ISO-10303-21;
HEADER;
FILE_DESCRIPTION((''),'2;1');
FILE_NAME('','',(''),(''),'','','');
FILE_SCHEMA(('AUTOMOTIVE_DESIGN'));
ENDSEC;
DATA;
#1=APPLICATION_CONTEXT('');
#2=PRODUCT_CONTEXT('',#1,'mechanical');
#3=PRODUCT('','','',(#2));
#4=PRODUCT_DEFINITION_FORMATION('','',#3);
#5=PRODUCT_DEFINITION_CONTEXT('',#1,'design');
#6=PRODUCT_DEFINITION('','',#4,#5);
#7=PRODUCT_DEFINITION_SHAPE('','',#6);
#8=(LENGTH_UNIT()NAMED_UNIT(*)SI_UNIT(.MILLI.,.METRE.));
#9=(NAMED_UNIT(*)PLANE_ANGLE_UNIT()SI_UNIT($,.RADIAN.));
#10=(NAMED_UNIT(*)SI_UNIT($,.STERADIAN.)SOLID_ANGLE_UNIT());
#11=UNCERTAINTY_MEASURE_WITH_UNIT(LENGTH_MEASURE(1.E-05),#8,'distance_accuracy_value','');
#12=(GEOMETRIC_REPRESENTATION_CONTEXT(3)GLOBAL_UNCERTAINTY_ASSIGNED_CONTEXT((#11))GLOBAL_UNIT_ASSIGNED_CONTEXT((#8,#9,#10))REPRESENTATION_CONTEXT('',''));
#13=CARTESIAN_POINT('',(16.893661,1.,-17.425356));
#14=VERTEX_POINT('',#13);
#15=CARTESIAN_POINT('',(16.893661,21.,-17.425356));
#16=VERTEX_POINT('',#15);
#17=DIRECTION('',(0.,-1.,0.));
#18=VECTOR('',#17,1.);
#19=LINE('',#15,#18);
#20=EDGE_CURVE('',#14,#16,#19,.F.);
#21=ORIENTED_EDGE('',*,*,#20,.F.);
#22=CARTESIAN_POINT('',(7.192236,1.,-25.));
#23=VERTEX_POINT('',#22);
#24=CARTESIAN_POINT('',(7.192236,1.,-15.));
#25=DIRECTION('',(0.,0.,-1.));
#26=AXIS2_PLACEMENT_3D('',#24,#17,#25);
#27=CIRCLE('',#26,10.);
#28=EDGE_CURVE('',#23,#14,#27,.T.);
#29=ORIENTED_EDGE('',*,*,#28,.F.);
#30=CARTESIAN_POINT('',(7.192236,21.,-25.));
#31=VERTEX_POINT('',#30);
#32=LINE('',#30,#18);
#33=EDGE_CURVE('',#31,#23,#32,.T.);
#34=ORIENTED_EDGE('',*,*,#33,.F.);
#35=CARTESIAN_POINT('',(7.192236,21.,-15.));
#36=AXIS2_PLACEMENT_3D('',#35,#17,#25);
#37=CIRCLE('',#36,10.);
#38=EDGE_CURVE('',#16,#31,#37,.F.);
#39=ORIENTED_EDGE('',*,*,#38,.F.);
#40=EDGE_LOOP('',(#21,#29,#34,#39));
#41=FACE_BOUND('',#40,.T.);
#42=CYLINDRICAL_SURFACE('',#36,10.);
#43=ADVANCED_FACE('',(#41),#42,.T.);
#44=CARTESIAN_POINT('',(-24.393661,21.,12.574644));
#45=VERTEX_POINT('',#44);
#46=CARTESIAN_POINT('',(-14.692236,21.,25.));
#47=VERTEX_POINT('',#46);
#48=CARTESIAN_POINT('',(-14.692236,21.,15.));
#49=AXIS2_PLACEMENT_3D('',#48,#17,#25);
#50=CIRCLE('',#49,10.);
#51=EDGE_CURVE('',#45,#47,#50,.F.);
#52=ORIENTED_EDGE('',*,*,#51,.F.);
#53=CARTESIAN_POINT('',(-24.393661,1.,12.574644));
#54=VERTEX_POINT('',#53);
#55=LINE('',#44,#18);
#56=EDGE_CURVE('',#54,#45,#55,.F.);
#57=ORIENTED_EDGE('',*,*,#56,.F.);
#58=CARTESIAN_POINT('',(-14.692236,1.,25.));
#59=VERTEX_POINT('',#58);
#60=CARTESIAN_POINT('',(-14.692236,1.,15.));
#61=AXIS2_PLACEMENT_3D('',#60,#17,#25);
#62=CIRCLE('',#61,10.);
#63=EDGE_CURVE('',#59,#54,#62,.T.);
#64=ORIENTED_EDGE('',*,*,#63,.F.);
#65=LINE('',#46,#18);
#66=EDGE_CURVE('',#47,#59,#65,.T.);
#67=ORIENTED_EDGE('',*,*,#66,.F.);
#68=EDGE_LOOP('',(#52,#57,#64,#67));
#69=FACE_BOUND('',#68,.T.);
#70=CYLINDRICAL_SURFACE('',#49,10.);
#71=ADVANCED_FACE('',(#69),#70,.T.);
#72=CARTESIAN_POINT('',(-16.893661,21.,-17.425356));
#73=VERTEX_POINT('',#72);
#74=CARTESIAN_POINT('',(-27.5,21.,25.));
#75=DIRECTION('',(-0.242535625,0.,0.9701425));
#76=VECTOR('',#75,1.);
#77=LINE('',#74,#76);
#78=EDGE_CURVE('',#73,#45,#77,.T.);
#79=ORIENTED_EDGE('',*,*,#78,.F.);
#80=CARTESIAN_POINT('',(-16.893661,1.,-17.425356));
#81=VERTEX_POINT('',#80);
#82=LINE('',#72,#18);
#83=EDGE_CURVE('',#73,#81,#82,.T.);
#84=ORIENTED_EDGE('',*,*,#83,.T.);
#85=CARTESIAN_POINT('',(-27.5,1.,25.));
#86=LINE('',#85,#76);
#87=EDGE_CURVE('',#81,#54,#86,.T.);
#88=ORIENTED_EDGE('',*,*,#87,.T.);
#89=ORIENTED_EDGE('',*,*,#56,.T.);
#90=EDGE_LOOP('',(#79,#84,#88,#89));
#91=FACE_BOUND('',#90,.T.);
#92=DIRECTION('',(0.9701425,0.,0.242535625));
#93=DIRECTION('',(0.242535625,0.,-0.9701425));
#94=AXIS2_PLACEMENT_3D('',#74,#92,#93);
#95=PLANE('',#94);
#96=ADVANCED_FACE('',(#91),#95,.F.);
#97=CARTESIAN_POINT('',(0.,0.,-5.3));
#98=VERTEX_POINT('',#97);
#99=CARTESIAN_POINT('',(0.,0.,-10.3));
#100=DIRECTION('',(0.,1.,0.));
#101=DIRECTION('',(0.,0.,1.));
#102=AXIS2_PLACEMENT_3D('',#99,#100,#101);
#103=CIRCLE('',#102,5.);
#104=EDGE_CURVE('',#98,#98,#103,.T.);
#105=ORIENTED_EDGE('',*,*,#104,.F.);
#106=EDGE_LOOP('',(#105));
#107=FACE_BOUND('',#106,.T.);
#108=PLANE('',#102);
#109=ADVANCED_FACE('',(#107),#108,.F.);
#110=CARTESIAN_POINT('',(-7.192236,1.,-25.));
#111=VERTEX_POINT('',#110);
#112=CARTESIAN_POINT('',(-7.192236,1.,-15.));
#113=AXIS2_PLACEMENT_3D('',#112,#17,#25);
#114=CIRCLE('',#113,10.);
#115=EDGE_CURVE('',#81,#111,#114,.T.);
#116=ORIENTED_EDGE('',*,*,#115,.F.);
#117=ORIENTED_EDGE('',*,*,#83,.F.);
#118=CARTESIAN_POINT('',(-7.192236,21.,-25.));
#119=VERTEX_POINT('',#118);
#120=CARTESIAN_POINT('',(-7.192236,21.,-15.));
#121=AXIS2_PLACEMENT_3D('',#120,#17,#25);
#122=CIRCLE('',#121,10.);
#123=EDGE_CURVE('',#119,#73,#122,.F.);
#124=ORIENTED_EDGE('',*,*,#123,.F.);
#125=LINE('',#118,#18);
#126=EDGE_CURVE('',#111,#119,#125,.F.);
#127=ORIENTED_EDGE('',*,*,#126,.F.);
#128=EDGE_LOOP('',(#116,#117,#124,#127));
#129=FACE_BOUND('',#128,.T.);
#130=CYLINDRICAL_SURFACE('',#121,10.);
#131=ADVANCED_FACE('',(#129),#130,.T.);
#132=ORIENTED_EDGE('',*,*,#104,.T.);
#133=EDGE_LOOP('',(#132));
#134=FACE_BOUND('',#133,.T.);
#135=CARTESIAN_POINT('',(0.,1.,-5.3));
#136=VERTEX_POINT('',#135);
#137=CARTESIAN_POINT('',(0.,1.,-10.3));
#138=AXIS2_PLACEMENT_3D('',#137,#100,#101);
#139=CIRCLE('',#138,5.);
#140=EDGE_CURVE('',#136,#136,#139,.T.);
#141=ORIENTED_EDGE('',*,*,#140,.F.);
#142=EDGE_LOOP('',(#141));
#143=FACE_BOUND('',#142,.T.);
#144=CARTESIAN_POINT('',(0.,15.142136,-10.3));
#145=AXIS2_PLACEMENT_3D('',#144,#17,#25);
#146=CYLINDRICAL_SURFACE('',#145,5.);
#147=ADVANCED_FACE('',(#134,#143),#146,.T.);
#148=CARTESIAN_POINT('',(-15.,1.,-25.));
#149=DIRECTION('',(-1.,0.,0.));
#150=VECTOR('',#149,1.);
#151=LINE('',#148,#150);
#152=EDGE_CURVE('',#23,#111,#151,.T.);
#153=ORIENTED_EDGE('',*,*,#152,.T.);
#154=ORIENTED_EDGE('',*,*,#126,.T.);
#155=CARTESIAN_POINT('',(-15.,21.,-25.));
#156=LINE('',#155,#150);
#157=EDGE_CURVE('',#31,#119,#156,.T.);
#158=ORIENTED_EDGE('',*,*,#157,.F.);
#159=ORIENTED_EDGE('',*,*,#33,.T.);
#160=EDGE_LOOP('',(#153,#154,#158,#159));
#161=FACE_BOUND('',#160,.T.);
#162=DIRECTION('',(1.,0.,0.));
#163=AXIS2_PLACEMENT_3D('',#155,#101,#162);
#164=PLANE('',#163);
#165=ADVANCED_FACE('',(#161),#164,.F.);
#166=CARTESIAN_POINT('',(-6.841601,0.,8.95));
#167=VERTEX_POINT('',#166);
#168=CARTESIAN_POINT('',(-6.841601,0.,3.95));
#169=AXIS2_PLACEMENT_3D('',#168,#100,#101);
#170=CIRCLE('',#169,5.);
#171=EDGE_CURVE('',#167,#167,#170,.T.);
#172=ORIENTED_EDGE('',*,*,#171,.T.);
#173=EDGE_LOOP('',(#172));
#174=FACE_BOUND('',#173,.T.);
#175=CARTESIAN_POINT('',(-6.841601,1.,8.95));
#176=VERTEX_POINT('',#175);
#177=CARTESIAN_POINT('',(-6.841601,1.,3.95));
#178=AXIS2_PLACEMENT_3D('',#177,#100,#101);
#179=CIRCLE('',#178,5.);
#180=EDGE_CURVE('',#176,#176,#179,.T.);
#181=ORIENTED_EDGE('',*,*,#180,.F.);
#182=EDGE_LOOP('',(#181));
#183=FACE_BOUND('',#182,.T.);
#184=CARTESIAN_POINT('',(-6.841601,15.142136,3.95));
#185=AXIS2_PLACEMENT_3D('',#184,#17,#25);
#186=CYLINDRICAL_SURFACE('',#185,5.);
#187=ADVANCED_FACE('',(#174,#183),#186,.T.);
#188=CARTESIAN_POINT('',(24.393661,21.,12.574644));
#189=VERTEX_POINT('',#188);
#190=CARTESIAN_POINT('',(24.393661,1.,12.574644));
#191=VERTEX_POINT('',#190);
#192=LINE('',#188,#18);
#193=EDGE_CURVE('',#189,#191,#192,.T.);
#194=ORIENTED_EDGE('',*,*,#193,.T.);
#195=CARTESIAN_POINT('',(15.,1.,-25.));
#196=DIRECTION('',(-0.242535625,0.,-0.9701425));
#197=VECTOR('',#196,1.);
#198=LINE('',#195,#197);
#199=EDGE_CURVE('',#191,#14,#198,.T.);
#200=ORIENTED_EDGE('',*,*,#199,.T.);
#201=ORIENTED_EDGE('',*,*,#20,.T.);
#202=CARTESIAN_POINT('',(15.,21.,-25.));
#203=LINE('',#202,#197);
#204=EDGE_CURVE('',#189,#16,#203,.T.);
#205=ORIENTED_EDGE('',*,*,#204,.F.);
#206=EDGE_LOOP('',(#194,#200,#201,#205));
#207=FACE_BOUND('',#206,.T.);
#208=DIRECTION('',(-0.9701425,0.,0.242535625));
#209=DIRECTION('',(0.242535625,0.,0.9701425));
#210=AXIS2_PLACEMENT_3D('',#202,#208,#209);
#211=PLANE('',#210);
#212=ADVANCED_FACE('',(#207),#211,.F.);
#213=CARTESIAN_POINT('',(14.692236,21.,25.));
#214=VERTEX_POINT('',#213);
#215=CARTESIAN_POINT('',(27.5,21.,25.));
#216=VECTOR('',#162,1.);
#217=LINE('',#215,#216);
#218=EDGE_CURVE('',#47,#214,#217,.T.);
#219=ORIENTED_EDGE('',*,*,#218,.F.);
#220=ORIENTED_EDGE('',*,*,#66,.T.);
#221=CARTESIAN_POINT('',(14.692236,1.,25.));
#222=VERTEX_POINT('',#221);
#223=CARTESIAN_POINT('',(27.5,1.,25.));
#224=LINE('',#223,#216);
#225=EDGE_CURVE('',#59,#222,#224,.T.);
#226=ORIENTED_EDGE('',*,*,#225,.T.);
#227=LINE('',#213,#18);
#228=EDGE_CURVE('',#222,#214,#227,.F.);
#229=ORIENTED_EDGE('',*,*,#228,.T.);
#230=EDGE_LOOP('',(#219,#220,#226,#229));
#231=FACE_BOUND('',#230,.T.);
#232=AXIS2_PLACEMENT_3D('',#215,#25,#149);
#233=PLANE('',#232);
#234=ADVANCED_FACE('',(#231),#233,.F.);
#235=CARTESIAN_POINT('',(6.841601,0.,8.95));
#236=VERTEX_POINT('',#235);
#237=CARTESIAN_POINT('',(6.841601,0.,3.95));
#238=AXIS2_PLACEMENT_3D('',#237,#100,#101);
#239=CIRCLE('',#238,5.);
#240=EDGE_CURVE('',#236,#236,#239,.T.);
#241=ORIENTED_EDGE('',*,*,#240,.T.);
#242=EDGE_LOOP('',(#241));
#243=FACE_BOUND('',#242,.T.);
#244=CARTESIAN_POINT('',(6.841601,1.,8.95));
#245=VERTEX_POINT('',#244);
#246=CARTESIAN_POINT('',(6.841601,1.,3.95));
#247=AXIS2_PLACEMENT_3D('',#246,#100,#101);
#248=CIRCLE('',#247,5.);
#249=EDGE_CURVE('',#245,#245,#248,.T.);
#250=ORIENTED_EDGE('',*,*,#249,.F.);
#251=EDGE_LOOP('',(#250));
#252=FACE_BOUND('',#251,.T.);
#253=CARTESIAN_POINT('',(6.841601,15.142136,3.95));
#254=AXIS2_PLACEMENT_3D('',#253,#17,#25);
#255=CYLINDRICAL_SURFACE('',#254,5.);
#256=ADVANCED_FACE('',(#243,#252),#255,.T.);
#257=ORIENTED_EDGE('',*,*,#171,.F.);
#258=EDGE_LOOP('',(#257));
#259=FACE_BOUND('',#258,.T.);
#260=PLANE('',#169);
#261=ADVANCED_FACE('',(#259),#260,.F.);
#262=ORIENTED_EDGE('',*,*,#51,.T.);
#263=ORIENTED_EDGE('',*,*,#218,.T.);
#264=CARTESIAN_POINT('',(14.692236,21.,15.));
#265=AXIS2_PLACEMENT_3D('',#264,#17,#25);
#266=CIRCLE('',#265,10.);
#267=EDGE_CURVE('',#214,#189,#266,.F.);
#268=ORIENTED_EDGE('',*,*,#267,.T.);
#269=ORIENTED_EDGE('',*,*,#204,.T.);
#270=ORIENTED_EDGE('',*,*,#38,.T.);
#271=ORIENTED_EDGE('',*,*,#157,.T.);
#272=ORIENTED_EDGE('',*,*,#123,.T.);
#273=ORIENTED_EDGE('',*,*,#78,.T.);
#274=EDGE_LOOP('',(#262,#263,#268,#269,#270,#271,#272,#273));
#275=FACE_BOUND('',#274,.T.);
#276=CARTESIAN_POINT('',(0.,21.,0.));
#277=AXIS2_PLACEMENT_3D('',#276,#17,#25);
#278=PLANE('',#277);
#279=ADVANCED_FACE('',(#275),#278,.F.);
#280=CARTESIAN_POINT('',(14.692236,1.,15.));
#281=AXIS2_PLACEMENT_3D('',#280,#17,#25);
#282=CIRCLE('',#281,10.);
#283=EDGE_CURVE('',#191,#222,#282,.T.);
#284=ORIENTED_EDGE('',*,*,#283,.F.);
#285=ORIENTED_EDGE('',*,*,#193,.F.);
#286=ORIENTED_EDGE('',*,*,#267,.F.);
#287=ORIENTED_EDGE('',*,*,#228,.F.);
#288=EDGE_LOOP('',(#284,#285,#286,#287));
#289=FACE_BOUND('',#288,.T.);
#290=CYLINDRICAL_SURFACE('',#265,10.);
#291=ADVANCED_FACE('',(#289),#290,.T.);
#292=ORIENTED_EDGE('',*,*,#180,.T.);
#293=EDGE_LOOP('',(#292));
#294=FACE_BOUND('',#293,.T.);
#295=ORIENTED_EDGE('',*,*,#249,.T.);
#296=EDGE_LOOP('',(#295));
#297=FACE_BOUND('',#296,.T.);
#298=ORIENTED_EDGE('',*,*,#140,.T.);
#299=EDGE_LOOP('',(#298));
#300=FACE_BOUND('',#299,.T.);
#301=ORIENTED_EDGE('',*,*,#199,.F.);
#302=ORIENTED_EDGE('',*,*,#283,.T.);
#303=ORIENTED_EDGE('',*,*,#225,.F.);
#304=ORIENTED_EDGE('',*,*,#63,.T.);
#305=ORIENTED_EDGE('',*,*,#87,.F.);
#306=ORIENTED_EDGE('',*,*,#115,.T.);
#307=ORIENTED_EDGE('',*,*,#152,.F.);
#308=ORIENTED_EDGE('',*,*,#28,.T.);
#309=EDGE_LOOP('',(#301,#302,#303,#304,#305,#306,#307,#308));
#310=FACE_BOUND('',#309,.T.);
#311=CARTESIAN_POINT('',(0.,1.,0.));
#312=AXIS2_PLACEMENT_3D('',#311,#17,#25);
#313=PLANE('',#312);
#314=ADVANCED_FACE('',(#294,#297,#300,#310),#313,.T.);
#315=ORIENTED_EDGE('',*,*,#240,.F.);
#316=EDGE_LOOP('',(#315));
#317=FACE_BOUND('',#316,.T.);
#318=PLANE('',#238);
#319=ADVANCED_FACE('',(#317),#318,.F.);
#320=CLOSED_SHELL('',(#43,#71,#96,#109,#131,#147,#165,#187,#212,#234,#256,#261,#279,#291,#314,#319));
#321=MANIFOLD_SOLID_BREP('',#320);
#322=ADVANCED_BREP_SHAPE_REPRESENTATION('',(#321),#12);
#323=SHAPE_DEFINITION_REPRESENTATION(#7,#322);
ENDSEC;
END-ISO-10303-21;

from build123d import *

# Parameters (mm, degrees)
FSHAPE1_DEPTH    = 20
FRSHAPE1_R       = 10
FPIN1ABASE_REACH = 42.935
SPIN1ABASE_R     = 5
FPIN1BBASE_REACH = 42.935
SPIN1BBASE_R     = 5
FPIN2BASE_REACH  = 42.935
SPIN2BASE_R      = 5


with BuildPart() as part:
    # SShape1 → FShape1 (new body)
    with BuildSketch(Plane(origin=(0, 1, 0), x_dir=(1, 0, 0), z_dir=(0, 1, 0))):
        Polygon((-15, 25), (15, 25), (27.5, -25), (-27.5, -25), align=None)
    extrude(amount=FSHAPE1_DEPTH)

    # FRShape1
    frshape1_edges = [part.edges().sort_by_distance(p)[0] for p in [
        (-15, 11, -25),
        (15, 11, -25),
        (27.5, 11, 25),
        (-27.5, 11, 25),
    ]]
    fillet(frshape1_edges, radius=FRSHAPE1_R)

    # SPin1aBase → FPin1aBase (add, up to next)
    with BuildSketch(Plane(origin=(0, 0, 0), x_dir=(1, 0, 0), z_dir=(0, 1, 0)), mode=Mode.PRIVATE) as fpin1abase_sk1:
        with Locations((6.84160069, -3.95)):
            Circle(SPIN1ABASE_R)
    fpin1abase_tool1 = extrude(fpin1abase_sk1.sketch, amount=FPIN1ABASE_REACH, mode=Mode.PRIVATE) - part.part
    add(fpin1abase_tool1.solids().sort_by_distance((6.841601, 0, 3.95))[0])

    # SPin1bBase → FPin1bBase (add, up to next)
    with BuildSketch(Plane(origin=(0, 0, 0), x_dir=(1, 0, 0), z_dir=(0, 1, 0)), mode=Mode.PRIVATE) as fpin1bbase_sk1:
        with Locations((-6.84160069, -3.95)):
            Circle(SPIN1BBASE_R)
    fpin1bbase_tool1 = extrude(fpin1bbase_sk1.sketch, amount=FPIN1BBASE_REACH, mode=Mode.PRIVATE) - part.part
    add(fpin1bbase_tool1.solids().sort_by_distance((-6.841601, 0, 3.95))[0])

    # SPin2Base → FPin2Base (add, up to next)
    with BuildSketch(Plane(origin=(0, 0, 0), x_dir=(1, 0, 0), z_dir=(0, 1, 0)), mode=Mode.PRIVATE) as fpin2base_sk1:
        with Locations((0, 10.3)):
            Circle(SPIN2BASE_R)
    fpin2base_tool1 = extrude(fpin2base_sk1.sketch, amount=FPIN2BASE_REACH, mode=Mode.PRIVATE) - part.part
    add(fpin2base_tool1.solids().sort_by_distance((0, 0, -10.3))[0])


solid = part.part
